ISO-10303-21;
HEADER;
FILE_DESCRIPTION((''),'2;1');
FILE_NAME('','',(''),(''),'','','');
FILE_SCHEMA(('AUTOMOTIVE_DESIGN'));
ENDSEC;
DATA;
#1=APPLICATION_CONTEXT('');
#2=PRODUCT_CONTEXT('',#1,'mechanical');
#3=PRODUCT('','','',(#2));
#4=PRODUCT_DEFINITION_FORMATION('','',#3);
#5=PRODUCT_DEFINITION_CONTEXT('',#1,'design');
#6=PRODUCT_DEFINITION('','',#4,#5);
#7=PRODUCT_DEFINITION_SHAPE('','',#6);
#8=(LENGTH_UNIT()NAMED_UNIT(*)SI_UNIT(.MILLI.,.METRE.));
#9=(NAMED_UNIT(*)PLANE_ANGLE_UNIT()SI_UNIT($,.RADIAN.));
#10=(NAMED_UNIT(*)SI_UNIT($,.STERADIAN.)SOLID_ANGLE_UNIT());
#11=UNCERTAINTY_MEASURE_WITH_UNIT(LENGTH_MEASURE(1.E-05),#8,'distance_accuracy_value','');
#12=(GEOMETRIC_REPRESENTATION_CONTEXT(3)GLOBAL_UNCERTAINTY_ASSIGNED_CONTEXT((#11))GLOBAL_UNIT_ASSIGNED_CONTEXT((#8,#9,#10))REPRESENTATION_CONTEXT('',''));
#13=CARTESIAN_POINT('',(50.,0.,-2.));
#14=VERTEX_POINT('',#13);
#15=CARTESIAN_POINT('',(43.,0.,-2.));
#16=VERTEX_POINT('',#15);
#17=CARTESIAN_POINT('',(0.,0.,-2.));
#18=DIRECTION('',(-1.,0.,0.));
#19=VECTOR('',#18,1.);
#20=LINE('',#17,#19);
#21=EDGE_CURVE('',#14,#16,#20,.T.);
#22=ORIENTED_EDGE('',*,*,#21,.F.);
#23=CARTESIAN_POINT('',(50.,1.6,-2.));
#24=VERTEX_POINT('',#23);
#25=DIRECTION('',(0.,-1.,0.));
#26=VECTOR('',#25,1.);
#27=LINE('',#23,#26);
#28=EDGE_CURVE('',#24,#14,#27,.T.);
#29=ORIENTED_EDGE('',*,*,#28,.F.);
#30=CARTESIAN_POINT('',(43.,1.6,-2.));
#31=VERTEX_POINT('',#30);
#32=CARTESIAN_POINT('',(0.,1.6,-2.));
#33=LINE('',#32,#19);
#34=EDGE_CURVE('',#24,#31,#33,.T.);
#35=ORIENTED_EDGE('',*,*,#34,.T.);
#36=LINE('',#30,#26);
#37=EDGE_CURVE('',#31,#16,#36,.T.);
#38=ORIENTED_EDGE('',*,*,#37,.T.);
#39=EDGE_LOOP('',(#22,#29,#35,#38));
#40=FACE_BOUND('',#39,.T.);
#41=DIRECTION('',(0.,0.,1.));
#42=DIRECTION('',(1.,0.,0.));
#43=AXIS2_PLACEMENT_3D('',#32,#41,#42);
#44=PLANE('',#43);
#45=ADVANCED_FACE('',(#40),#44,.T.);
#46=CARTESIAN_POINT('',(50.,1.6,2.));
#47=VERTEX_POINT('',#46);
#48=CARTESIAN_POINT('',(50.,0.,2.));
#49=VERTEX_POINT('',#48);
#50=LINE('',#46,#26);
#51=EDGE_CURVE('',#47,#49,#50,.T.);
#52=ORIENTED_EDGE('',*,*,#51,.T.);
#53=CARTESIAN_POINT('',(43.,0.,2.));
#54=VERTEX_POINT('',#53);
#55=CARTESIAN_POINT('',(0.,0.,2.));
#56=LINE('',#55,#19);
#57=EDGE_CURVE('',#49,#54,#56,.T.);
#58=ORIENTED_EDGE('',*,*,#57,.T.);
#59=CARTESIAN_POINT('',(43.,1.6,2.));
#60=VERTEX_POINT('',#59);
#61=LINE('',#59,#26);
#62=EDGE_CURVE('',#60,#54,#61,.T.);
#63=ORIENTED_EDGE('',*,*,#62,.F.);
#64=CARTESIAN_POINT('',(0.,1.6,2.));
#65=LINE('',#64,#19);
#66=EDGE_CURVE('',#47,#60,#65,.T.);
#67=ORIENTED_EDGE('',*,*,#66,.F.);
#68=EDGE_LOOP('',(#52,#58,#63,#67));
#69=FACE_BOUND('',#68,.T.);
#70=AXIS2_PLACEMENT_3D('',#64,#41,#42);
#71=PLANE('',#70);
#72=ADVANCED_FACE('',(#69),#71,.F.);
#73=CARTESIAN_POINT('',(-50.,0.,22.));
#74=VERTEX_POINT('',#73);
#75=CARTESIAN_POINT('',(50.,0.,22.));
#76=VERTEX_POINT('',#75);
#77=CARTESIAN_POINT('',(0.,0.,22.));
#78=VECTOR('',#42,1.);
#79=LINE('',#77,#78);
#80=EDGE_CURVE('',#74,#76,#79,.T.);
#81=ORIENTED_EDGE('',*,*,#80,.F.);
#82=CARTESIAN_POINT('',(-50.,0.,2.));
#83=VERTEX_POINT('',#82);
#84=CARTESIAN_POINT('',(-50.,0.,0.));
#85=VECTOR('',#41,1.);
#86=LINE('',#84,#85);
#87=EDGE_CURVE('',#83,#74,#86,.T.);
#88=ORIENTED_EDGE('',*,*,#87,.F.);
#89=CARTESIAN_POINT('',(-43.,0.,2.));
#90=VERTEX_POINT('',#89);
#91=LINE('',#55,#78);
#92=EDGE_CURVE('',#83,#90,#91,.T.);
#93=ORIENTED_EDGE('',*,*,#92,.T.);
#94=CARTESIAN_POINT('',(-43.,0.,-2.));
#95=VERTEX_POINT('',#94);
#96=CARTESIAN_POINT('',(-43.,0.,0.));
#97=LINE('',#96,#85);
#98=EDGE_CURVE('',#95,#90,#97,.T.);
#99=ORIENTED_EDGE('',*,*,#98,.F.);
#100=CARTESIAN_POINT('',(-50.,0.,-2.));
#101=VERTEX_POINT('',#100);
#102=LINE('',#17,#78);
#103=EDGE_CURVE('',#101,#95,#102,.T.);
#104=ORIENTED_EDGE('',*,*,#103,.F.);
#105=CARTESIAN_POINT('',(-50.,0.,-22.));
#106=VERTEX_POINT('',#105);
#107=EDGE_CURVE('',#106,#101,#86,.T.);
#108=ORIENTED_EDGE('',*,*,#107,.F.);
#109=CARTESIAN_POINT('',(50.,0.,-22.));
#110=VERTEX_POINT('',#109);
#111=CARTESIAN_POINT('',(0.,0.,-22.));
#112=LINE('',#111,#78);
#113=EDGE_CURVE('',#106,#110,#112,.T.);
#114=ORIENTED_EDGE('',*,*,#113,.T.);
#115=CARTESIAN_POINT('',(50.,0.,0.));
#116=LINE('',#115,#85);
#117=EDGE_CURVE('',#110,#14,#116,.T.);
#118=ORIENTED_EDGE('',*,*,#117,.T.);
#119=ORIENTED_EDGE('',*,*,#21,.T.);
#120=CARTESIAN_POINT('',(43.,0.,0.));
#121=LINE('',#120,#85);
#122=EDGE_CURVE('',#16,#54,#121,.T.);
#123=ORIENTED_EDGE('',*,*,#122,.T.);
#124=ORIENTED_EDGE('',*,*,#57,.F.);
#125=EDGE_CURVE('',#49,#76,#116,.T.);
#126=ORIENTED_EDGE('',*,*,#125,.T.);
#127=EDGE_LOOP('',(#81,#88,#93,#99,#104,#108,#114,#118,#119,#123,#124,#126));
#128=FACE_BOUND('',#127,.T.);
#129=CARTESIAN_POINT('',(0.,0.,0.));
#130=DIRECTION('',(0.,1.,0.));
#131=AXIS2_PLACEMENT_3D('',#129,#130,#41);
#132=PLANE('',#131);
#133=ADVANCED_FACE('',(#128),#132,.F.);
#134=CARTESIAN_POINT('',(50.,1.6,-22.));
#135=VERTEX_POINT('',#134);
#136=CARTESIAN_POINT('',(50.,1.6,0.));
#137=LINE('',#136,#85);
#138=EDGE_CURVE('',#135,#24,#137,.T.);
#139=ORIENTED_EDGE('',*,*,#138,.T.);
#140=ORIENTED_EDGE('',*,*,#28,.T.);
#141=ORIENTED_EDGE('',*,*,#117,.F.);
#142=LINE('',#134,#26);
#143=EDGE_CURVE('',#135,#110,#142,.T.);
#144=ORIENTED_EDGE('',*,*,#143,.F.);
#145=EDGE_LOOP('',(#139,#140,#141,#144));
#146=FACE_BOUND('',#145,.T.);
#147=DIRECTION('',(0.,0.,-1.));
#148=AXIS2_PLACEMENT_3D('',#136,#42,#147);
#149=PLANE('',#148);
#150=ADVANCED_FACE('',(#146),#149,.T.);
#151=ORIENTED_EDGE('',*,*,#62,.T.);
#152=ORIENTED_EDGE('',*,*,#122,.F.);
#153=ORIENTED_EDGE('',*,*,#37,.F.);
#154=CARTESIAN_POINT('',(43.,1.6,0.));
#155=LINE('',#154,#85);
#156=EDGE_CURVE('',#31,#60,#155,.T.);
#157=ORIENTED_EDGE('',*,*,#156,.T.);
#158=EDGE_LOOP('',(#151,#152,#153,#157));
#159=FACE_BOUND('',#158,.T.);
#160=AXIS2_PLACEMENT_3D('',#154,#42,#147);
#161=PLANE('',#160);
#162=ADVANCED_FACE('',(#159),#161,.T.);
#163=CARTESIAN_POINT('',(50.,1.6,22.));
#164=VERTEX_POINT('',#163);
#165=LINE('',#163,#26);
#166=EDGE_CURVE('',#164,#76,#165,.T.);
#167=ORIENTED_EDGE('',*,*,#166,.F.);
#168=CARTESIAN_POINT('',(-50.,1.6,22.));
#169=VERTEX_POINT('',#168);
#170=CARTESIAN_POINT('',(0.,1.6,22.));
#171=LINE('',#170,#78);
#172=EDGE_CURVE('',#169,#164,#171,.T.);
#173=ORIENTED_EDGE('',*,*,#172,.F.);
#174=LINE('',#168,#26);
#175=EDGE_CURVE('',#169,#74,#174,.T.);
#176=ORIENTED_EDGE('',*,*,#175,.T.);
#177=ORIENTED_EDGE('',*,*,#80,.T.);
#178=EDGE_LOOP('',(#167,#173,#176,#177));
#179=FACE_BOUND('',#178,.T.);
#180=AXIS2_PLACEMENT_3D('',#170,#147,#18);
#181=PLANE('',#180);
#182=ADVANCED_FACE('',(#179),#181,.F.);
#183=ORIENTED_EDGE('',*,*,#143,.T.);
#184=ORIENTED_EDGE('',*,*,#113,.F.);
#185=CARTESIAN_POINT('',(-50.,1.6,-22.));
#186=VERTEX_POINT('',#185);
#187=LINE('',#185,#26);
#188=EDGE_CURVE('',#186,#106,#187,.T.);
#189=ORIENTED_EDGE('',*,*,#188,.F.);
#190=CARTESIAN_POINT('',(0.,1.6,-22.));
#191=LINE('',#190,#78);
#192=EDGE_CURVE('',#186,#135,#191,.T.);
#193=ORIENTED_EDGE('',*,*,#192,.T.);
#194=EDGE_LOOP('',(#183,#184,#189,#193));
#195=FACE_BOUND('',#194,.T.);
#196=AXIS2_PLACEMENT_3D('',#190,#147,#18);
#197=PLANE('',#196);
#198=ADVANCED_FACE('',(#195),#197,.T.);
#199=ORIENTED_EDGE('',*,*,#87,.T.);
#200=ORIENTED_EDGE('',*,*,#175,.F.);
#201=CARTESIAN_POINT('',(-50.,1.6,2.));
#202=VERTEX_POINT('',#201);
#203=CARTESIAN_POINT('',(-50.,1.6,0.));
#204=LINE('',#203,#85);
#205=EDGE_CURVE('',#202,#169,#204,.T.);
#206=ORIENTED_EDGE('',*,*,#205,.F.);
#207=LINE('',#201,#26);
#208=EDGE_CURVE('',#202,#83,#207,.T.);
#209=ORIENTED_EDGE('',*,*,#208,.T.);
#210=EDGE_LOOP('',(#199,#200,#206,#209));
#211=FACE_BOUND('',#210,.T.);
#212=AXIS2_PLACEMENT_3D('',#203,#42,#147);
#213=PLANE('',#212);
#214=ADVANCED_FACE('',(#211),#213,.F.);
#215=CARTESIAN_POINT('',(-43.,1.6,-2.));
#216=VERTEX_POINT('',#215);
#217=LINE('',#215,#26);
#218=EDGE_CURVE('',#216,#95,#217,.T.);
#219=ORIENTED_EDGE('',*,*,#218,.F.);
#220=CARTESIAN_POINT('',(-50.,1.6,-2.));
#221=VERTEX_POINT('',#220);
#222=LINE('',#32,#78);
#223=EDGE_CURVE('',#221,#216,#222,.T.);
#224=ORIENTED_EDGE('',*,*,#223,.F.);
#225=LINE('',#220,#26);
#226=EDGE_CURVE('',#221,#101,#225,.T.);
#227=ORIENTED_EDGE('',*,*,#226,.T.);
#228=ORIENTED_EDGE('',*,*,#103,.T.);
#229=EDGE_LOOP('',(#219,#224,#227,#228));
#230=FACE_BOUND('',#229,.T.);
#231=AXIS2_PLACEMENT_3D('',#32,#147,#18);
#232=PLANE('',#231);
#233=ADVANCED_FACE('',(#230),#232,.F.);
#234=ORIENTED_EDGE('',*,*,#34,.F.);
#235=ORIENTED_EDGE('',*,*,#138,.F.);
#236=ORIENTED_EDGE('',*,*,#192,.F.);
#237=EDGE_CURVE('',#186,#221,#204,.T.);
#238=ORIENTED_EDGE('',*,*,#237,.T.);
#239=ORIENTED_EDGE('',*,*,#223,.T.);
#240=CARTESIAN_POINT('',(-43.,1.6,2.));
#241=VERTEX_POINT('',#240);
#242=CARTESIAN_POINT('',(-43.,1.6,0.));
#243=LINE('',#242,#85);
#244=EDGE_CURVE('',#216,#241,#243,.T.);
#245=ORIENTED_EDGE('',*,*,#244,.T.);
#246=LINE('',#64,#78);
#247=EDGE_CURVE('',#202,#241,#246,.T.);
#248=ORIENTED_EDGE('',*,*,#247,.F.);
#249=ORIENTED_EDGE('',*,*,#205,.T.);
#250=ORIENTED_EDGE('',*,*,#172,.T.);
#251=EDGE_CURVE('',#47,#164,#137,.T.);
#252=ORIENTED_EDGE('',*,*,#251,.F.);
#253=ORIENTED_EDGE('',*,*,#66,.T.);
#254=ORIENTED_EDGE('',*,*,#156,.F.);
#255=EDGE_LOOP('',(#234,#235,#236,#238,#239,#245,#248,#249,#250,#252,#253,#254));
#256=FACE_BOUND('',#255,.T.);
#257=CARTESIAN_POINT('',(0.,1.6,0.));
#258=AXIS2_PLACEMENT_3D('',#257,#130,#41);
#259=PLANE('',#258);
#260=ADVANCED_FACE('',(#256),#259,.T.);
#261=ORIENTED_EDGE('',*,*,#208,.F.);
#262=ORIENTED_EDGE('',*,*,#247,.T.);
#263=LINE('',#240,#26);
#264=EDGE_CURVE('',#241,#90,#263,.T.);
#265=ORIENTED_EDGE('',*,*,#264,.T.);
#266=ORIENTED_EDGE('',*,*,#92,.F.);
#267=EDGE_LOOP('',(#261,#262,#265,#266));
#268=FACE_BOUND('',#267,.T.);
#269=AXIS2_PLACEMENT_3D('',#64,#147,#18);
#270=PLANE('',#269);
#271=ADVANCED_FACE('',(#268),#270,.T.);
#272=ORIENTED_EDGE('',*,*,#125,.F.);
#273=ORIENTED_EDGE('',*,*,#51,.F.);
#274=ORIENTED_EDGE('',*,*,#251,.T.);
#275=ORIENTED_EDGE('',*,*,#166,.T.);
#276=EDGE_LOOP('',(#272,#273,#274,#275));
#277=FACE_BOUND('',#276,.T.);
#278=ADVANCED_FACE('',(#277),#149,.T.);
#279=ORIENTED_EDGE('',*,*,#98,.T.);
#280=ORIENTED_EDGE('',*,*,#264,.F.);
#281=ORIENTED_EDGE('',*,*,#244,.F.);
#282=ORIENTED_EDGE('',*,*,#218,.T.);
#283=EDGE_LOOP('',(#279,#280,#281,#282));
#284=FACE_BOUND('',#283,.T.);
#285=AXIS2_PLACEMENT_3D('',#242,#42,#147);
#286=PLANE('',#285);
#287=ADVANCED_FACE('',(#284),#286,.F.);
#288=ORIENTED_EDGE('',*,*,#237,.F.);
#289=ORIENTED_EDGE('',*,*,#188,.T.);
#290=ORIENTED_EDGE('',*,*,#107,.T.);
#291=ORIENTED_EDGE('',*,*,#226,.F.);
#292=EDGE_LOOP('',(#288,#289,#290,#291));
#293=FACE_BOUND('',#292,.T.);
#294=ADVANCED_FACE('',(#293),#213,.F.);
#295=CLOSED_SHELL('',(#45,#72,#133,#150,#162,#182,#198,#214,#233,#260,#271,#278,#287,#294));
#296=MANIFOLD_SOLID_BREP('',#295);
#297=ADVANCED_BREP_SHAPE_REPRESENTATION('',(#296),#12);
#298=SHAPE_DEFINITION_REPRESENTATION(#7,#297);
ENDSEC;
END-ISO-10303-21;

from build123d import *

# Parameters (mm, degrees)
BOSS_EXTRUDE1_DEPTH = 1.6


with BuildPart() as part:
    # Sketch2 → Boss-Extrude1 (new body)
    with BuildSketch(Plane(origin=(0, 0, 0), x_dir=(1, 0, 0), z_dir=(0, 1, 0))):
        Polygon((50, 22), (-50, 22), (-50, 2), (-43, 2), (-43, -2), (-50, -2), (-50, -22), (50, -22), (50, -2), (43, -2), (43, 2), (50, 2), align=None)
    extrude(amount=BOSS_EXTRUDE1_DEPTH)


solid = part.part
